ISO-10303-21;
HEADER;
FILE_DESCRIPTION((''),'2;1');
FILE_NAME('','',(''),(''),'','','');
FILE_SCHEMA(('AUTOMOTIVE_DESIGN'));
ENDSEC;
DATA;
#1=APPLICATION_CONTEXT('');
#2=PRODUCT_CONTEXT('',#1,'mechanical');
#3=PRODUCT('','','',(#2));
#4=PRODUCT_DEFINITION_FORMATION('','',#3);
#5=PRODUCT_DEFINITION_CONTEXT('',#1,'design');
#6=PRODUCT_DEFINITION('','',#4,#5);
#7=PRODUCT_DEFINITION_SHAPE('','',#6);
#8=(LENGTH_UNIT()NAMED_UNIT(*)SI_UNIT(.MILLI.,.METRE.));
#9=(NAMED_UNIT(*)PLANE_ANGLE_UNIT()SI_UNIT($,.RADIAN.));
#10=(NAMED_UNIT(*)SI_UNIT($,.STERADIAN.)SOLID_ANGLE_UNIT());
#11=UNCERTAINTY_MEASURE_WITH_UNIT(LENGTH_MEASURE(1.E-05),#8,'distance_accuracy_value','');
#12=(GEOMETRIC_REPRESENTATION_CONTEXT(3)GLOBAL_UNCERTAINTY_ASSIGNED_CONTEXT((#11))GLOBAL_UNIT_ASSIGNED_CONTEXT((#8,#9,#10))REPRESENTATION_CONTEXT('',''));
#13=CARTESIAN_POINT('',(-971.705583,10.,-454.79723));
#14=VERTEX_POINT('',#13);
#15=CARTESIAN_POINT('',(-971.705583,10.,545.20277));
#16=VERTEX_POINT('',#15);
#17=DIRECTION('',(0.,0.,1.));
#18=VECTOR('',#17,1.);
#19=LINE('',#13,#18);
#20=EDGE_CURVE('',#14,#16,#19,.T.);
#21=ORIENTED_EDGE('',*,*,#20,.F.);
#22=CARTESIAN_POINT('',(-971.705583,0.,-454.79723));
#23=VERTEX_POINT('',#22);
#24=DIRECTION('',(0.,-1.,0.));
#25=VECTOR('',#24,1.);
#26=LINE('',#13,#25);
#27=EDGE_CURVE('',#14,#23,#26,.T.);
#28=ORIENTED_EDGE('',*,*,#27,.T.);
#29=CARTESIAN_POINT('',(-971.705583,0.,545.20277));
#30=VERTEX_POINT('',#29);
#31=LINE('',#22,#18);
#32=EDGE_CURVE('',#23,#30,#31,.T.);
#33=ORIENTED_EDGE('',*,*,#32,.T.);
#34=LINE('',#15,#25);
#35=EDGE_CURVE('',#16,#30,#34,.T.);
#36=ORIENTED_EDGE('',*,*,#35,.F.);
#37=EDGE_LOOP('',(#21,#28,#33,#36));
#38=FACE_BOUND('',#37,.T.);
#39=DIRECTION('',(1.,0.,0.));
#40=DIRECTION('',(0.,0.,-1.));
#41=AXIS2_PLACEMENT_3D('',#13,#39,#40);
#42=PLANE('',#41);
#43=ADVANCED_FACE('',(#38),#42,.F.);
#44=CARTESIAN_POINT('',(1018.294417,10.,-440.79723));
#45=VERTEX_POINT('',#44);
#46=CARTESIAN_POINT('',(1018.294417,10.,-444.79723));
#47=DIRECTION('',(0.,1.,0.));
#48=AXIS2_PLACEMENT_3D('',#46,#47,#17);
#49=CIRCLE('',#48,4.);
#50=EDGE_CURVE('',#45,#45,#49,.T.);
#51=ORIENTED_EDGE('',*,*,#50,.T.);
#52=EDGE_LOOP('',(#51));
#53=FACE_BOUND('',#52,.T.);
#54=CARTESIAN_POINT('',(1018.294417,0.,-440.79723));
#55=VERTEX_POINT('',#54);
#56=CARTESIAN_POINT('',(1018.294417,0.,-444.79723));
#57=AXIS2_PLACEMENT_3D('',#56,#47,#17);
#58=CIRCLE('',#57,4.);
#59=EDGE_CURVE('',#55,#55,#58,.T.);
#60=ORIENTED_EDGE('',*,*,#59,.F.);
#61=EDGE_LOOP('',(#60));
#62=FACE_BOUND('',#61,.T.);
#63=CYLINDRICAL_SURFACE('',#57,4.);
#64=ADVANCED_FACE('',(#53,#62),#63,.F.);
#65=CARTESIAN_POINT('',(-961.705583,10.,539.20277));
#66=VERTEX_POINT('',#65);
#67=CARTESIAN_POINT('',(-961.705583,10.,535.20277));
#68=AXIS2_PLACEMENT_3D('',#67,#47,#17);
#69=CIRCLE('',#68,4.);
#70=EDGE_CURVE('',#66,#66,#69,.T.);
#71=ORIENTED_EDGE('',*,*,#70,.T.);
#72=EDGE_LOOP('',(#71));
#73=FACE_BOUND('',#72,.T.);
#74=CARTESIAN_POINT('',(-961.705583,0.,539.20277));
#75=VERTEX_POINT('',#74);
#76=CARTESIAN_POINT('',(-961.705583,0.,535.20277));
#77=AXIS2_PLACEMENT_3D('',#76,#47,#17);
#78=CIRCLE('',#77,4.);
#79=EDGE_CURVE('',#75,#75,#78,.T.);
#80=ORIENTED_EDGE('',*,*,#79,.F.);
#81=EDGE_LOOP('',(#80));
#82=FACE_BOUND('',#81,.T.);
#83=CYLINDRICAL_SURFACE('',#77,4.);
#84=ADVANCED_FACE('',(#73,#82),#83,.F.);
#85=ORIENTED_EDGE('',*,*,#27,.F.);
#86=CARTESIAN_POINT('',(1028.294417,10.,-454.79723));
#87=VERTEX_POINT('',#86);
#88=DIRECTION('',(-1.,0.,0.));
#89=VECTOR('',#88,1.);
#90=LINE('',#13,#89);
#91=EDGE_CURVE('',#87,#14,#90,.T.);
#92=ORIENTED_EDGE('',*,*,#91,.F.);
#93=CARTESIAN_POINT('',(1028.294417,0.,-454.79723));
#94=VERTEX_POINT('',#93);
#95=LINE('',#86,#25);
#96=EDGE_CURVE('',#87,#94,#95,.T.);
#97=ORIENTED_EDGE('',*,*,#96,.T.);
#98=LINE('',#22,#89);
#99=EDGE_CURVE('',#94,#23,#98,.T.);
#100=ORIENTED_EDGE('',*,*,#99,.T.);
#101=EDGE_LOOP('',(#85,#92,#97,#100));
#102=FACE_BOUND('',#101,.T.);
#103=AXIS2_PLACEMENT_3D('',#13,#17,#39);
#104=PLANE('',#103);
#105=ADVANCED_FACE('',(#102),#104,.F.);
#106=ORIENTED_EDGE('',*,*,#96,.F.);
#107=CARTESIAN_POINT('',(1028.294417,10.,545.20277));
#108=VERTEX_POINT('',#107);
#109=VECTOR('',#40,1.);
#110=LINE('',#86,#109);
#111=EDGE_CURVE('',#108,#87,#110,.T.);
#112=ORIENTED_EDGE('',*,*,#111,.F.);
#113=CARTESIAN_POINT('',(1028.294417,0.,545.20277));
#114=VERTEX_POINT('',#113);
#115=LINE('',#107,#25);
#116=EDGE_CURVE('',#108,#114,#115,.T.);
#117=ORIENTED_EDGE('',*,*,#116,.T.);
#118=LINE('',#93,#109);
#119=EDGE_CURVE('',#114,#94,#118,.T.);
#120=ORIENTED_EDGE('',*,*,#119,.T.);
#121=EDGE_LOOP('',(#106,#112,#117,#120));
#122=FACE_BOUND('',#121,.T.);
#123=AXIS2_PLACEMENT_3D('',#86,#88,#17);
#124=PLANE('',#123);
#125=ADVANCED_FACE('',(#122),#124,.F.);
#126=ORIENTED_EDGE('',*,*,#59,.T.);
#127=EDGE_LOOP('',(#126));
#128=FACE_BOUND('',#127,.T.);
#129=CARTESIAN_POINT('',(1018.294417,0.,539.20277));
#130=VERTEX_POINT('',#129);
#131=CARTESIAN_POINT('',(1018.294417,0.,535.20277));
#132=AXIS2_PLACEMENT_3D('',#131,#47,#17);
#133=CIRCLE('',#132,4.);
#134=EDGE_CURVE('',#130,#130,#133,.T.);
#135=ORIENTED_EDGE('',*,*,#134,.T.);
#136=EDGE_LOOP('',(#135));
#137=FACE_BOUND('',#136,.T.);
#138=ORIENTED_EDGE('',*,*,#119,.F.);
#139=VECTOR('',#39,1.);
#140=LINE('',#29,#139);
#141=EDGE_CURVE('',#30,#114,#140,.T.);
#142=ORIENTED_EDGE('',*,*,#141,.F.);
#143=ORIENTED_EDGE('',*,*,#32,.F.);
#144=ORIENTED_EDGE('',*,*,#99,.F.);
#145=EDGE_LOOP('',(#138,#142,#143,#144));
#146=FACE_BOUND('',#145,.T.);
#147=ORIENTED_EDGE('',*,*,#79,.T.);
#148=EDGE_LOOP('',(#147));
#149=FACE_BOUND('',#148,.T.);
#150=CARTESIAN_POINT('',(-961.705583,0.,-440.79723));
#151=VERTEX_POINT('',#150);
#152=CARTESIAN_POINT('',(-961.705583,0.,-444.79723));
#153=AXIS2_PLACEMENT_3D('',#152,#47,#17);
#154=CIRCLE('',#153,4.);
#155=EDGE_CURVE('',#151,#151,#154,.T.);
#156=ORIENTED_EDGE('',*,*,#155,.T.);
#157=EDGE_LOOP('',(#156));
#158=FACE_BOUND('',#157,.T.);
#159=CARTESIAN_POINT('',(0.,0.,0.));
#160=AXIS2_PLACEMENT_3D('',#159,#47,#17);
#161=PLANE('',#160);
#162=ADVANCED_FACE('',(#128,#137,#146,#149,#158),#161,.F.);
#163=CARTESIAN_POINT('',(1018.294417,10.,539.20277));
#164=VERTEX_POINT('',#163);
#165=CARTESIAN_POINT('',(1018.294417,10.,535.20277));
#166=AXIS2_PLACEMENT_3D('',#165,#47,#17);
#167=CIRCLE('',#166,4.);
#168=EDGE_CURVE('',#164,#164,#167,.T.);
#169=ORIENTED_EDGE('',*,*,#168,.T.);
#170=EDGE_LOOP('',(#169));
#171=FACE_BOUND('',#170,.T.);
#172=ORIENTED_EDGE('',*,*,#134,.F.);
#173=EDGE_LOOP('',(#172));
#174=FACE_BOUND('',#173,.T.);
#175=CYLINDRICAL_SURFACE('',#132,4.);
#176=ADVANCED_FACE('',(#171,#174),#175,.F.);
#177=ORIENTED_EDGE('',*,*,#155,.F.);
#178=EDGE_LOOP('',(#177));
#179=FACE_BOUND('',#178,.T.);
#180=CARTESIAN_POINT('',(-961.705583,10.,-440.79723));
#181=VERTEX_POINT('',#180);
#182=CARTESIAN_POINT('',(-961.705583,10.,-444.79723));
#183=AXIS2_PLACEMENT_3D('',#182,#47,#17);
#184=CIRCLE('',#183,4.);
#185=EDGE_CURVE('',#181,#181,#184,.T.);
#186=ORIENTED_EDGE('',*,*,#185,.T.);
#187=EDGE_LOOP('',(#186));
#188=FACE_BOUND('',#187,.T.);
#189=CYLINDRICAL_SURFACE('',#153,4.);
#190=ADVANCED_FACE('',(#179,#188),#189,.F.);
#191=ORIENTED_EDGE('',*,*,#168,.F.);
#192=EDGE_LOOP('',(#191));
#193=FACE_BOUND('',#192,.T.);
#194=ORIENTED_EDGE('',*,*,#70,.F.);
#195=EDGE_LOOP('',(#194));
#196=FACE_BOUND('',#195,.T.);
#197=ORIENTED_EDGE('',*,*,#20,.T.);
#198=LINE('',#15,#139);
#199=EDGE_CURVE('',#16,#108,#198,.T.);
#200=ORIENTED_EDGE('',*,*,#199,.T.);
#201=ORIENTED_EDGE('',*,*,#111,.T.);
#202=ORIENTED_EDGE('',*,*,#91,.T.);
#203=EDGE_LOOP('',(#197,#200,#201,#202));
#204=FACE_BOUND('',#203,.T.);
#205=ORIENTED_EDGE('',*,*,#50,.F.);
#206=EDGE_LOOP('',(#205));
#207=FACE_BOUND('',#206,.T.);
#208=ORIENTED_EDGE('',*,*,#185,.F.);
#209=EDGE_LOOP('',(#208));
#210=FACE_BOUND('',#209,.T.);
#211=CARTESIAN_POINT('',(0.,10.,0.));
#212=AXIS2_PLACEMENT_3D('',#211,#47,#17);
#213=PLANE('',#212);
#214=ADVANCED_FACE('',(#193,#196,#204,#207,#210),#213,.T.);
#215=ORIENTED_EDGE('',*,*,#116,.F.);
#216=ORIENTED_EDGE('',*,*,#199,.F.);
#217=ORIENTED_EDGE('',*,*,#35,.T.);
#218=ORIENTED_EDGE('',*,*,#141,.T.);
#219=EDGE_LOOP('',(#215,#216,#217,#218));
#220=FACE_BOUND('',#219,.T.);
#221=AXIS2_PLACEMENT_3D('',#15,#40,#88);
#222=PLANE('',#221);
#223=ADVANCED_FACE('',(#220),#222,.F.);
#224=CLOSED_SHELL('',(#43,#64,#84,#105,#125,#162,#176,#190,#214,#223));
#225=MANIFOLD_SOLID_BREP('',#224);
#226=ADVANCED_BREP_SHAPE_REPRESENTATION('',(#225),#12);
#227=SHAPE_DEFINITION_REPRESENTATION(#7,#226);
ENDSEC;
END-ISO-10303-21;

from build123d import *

# Parameters (mm, degrees)
SKETCH_1_W          = 2000
SKETCH_1_H          = 1000
EXTRUDE_1_DEPTH     = 10
SKETCH_2_R          = 4
CUT_EXTRUDE_1_DEPTH = 10


with BuildPart() as part:
    # 草图1 → 凸台-拉伸1 (new body)
    with BuildSketch(Plane(origin=(0, 0, 0), x_dir=(1, 0, 0), z_dir=(0, 1, 0))):
        with Locations((28.294417173, -45.202770246)):
            Rectangle(SKETCH_1_W, SKETCH_1_H)
    extrude(amount=EXTRUDE_1_DEPTH)

    # 草图2 → 切除-拉伸1 (cut)
    with BuildSketch(Plane(origin=(0, 10, 0), x_dir=(1, 0, 0), z_dir=(0, 1, 0))):
        with Locations(Location((-961.705582827, 444.797229754, 0), (0, 0, 270))):
            Circle(SKETCH_2_R)
        with Locations(Location((1018.294417173, 444.797229754, 0), (0, 0, 270))):
            Circle(SKETCH_2_R)
        with Locations(Location((1018.294417173, -535.202770246, 0), (0, 0, 270))):
            Circle(SKETCH_2_R)
        with Locations(Location((-961.705582827, -535.202770246, 0), (0, 0, 270))):
            Circle(SKETCH_2_R)
    extrude(amount=-CUT_EXTRUDE_1_DEPTH, mode=Mode.SUBTRACT)


solid = part.part
